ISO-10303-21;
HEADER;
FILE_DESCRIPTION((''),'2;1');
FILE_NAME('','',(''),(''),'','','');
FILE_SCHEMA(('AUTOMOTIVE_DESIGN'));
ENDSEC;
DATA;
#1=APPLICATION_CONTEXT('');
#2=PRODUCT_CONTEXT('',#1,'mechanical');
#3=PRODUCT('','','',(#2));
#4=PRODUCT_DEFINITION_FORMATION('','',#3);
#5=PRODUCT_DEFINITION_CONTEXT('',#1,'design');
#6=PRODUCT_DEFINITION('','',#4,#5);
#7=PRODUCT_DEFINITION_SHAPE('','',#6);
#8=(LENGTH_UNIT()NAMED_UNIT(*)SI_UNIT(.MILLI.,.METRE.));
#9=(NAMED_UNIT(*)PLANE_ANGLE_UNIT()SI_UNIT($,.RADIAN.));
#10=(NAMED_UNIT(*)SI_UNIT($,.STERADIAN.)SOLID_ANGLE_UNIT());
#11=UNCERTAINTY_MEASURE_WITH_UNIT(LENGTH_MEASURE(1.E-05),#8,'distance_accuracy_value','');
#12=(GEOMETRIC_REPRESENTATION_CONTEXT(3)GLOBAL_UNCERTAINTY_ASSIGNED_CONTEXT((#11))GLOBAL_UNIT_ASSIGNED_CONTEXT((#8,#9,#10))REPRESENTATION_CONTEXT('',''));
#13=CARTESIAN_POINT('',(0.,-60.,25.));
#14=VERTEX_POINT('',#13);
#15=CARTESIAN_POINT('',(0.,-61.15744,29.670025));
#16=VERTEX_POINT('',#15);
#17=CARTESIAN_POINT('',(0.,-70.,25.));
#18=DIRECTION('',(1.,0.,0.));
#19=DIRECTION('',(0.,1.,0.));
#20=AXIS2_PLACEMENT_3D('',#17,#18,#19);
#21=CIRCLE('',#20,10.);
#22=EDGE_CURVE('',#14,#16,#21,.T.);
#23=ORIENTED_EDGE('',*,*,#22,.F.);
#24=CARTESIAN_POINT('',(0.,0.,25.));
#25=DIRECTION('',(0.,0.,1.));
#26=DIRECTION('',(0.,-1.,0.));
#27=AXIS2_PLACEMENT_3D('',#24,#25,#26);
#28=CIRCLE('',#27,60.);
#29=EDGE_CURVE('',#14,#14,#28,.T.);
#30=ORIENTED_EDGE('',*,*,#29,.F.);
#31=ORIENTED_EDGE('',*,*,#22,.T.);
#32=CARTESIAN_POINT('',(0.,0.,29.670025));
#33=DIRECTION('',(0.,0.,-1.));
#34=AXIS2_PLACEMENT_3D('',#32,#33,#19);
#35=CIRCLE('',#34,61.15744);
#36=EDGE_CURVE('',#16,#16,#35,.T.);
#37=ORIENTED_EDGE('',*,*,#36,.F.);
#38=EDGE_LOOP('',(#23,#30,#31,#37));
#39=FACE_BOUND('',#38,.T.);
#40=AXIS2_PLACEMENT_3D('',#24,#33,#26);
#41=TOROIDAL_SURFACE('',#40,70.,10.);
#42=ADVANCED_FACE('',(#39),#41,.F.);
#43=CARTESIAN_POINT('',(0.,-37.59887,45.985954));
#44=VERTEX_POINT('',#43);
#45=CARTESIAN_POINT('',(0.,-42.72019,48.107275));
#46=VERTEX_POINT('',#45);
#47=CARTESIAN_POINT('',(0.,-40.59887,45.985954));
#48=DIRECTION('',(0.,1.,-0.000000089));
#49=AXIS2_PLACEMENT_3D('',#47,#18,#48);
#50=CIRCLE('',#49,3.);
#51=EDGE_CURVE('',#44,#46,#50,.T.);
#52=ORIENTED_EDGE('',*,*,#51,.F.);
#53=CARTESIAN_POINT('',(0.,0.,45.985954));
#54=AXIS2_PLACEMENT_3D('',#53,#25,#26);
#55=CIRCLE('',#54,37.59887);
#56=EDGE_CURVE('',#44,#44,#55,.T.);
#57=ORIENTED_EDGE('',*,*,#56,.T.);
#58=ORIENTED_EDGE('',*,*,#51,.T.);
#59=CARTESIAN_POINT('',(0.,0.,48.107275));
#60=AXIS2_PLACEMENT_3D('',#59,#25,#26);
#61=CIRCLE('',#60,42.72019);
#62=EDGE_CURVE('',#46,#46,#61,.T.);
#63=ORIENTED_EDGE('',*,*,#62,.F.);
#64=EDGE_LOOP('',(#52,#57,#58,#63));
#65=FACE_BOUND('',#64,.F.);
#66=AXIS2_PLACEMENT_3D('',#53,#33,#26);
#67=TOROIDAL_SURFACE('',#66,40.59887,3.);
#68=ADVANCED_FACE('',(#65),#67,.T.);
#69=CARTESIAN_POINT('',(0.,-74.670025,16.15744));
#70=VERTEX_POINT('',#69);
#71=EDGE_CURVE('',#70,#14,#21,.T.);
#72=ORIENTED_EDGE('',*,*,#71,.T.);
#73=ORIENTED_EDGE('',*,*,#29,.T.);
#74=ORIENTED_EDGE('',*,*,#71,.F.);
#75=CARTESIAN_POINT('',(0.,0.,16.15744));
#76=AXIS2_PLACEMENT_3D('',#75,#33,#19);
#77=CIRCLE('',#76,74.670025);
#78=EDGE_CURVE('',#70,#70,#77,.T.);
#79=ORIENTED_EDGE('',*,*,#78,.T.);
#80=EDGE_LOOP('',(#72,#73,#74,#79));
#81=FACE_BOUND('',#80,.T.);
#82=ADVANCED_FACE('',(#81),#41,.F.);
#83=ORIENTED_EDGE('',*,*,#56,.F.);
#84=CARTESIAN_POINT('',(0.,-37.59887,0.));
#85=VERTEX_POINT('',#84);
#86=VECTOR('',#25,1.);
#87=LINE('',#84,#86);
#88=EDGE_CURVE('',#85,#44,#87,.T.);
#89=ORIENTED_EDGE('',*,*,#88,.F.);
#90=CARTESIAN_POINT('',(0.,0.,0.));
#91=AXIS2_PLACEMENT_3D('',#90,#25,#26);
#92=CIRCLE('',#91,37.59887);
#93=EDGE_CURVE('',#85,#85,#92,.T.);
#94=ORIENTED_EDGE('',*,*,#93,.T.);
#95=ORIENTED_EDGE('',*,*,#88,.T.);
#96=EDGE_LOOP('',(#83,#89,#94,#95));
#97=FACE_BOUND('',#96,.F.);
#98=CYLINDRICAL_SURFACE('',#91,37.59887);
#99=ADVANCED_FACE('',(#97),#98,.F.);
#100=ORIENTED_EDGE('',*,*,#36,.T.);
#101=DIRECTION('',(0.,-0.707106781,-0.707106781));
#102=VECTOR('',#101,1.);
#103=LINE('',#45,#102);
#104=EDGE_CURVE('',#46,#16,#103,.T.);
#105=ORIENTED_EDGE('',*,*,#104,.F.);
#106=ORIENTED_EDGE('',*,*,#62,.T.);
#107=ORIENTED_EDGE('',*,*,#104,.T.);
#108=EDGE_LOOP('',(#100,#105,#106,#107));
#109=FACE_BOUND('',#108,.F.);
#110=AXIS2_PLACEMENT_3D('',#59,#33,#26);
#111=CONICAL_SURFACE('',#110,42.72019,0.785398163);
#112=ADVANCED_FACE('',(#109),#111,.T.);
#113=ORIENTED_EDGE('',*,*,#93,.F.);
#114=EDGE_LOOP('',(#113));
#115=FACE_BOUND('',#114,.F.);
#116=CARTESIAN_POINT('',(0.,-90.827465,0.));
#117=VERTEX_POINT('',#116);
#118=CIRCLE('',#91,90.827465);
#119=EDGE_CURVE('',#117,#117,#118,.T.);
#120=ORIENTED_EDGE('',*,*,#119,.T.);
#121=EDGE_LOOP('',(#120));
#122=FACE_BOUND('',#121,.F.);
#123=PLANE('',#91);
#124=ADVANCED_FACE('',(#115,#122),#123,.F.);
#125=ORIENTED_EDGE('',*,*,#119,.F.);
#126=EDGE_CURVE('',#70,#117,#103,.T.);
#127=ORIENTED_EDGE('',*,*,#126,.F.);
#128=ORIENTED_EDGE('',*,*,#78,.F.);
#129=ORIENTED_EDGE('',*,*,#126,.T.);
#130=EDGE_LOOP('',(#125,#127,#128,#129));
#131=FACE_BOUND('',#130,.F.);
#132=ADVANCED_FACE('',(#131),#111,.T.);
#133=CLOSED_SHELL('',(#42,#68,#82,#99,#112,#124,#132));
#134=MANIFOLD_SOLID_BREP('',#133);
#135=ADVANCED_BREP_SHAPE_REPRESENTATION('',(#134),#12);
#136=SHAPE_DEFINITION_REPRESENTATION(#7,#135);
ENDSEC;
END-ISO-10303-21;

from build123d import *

# Parameters (mm, degrees)
F2_R = 10


with BuildPart() as f1:
    # F0 (on Right) → F1 (revolve)
    with BuildSketch(Plane.YZ):
        with BuildLine():
            Line((-90.827465, 0), (-37.59887, 0))
            Line((-37.59887, 0), (-37.59887, 45.985954))
            ThreePointArc((-37.59887, 45.985954), (-39.45082, 48.757593), (-42.72019, 48.107275))
            Line((-42.72019, 48.107275), (-90.827465, 0))
        make_face()
    revolve(axis=Axis((0, 0, 38.720641), (0, 0, 1)))

    # F2 (on Right) → F3 (revolve, cut)
    with BuildSketch(Plane.YZ):
        with Locations((-70, 25)):
            Circle(F2_R)
    revolve(axis=Axis((0, 0, 29.182823), (0, 0, 1)), mode=Mode.SUBTRACT)


solid = f1.part
